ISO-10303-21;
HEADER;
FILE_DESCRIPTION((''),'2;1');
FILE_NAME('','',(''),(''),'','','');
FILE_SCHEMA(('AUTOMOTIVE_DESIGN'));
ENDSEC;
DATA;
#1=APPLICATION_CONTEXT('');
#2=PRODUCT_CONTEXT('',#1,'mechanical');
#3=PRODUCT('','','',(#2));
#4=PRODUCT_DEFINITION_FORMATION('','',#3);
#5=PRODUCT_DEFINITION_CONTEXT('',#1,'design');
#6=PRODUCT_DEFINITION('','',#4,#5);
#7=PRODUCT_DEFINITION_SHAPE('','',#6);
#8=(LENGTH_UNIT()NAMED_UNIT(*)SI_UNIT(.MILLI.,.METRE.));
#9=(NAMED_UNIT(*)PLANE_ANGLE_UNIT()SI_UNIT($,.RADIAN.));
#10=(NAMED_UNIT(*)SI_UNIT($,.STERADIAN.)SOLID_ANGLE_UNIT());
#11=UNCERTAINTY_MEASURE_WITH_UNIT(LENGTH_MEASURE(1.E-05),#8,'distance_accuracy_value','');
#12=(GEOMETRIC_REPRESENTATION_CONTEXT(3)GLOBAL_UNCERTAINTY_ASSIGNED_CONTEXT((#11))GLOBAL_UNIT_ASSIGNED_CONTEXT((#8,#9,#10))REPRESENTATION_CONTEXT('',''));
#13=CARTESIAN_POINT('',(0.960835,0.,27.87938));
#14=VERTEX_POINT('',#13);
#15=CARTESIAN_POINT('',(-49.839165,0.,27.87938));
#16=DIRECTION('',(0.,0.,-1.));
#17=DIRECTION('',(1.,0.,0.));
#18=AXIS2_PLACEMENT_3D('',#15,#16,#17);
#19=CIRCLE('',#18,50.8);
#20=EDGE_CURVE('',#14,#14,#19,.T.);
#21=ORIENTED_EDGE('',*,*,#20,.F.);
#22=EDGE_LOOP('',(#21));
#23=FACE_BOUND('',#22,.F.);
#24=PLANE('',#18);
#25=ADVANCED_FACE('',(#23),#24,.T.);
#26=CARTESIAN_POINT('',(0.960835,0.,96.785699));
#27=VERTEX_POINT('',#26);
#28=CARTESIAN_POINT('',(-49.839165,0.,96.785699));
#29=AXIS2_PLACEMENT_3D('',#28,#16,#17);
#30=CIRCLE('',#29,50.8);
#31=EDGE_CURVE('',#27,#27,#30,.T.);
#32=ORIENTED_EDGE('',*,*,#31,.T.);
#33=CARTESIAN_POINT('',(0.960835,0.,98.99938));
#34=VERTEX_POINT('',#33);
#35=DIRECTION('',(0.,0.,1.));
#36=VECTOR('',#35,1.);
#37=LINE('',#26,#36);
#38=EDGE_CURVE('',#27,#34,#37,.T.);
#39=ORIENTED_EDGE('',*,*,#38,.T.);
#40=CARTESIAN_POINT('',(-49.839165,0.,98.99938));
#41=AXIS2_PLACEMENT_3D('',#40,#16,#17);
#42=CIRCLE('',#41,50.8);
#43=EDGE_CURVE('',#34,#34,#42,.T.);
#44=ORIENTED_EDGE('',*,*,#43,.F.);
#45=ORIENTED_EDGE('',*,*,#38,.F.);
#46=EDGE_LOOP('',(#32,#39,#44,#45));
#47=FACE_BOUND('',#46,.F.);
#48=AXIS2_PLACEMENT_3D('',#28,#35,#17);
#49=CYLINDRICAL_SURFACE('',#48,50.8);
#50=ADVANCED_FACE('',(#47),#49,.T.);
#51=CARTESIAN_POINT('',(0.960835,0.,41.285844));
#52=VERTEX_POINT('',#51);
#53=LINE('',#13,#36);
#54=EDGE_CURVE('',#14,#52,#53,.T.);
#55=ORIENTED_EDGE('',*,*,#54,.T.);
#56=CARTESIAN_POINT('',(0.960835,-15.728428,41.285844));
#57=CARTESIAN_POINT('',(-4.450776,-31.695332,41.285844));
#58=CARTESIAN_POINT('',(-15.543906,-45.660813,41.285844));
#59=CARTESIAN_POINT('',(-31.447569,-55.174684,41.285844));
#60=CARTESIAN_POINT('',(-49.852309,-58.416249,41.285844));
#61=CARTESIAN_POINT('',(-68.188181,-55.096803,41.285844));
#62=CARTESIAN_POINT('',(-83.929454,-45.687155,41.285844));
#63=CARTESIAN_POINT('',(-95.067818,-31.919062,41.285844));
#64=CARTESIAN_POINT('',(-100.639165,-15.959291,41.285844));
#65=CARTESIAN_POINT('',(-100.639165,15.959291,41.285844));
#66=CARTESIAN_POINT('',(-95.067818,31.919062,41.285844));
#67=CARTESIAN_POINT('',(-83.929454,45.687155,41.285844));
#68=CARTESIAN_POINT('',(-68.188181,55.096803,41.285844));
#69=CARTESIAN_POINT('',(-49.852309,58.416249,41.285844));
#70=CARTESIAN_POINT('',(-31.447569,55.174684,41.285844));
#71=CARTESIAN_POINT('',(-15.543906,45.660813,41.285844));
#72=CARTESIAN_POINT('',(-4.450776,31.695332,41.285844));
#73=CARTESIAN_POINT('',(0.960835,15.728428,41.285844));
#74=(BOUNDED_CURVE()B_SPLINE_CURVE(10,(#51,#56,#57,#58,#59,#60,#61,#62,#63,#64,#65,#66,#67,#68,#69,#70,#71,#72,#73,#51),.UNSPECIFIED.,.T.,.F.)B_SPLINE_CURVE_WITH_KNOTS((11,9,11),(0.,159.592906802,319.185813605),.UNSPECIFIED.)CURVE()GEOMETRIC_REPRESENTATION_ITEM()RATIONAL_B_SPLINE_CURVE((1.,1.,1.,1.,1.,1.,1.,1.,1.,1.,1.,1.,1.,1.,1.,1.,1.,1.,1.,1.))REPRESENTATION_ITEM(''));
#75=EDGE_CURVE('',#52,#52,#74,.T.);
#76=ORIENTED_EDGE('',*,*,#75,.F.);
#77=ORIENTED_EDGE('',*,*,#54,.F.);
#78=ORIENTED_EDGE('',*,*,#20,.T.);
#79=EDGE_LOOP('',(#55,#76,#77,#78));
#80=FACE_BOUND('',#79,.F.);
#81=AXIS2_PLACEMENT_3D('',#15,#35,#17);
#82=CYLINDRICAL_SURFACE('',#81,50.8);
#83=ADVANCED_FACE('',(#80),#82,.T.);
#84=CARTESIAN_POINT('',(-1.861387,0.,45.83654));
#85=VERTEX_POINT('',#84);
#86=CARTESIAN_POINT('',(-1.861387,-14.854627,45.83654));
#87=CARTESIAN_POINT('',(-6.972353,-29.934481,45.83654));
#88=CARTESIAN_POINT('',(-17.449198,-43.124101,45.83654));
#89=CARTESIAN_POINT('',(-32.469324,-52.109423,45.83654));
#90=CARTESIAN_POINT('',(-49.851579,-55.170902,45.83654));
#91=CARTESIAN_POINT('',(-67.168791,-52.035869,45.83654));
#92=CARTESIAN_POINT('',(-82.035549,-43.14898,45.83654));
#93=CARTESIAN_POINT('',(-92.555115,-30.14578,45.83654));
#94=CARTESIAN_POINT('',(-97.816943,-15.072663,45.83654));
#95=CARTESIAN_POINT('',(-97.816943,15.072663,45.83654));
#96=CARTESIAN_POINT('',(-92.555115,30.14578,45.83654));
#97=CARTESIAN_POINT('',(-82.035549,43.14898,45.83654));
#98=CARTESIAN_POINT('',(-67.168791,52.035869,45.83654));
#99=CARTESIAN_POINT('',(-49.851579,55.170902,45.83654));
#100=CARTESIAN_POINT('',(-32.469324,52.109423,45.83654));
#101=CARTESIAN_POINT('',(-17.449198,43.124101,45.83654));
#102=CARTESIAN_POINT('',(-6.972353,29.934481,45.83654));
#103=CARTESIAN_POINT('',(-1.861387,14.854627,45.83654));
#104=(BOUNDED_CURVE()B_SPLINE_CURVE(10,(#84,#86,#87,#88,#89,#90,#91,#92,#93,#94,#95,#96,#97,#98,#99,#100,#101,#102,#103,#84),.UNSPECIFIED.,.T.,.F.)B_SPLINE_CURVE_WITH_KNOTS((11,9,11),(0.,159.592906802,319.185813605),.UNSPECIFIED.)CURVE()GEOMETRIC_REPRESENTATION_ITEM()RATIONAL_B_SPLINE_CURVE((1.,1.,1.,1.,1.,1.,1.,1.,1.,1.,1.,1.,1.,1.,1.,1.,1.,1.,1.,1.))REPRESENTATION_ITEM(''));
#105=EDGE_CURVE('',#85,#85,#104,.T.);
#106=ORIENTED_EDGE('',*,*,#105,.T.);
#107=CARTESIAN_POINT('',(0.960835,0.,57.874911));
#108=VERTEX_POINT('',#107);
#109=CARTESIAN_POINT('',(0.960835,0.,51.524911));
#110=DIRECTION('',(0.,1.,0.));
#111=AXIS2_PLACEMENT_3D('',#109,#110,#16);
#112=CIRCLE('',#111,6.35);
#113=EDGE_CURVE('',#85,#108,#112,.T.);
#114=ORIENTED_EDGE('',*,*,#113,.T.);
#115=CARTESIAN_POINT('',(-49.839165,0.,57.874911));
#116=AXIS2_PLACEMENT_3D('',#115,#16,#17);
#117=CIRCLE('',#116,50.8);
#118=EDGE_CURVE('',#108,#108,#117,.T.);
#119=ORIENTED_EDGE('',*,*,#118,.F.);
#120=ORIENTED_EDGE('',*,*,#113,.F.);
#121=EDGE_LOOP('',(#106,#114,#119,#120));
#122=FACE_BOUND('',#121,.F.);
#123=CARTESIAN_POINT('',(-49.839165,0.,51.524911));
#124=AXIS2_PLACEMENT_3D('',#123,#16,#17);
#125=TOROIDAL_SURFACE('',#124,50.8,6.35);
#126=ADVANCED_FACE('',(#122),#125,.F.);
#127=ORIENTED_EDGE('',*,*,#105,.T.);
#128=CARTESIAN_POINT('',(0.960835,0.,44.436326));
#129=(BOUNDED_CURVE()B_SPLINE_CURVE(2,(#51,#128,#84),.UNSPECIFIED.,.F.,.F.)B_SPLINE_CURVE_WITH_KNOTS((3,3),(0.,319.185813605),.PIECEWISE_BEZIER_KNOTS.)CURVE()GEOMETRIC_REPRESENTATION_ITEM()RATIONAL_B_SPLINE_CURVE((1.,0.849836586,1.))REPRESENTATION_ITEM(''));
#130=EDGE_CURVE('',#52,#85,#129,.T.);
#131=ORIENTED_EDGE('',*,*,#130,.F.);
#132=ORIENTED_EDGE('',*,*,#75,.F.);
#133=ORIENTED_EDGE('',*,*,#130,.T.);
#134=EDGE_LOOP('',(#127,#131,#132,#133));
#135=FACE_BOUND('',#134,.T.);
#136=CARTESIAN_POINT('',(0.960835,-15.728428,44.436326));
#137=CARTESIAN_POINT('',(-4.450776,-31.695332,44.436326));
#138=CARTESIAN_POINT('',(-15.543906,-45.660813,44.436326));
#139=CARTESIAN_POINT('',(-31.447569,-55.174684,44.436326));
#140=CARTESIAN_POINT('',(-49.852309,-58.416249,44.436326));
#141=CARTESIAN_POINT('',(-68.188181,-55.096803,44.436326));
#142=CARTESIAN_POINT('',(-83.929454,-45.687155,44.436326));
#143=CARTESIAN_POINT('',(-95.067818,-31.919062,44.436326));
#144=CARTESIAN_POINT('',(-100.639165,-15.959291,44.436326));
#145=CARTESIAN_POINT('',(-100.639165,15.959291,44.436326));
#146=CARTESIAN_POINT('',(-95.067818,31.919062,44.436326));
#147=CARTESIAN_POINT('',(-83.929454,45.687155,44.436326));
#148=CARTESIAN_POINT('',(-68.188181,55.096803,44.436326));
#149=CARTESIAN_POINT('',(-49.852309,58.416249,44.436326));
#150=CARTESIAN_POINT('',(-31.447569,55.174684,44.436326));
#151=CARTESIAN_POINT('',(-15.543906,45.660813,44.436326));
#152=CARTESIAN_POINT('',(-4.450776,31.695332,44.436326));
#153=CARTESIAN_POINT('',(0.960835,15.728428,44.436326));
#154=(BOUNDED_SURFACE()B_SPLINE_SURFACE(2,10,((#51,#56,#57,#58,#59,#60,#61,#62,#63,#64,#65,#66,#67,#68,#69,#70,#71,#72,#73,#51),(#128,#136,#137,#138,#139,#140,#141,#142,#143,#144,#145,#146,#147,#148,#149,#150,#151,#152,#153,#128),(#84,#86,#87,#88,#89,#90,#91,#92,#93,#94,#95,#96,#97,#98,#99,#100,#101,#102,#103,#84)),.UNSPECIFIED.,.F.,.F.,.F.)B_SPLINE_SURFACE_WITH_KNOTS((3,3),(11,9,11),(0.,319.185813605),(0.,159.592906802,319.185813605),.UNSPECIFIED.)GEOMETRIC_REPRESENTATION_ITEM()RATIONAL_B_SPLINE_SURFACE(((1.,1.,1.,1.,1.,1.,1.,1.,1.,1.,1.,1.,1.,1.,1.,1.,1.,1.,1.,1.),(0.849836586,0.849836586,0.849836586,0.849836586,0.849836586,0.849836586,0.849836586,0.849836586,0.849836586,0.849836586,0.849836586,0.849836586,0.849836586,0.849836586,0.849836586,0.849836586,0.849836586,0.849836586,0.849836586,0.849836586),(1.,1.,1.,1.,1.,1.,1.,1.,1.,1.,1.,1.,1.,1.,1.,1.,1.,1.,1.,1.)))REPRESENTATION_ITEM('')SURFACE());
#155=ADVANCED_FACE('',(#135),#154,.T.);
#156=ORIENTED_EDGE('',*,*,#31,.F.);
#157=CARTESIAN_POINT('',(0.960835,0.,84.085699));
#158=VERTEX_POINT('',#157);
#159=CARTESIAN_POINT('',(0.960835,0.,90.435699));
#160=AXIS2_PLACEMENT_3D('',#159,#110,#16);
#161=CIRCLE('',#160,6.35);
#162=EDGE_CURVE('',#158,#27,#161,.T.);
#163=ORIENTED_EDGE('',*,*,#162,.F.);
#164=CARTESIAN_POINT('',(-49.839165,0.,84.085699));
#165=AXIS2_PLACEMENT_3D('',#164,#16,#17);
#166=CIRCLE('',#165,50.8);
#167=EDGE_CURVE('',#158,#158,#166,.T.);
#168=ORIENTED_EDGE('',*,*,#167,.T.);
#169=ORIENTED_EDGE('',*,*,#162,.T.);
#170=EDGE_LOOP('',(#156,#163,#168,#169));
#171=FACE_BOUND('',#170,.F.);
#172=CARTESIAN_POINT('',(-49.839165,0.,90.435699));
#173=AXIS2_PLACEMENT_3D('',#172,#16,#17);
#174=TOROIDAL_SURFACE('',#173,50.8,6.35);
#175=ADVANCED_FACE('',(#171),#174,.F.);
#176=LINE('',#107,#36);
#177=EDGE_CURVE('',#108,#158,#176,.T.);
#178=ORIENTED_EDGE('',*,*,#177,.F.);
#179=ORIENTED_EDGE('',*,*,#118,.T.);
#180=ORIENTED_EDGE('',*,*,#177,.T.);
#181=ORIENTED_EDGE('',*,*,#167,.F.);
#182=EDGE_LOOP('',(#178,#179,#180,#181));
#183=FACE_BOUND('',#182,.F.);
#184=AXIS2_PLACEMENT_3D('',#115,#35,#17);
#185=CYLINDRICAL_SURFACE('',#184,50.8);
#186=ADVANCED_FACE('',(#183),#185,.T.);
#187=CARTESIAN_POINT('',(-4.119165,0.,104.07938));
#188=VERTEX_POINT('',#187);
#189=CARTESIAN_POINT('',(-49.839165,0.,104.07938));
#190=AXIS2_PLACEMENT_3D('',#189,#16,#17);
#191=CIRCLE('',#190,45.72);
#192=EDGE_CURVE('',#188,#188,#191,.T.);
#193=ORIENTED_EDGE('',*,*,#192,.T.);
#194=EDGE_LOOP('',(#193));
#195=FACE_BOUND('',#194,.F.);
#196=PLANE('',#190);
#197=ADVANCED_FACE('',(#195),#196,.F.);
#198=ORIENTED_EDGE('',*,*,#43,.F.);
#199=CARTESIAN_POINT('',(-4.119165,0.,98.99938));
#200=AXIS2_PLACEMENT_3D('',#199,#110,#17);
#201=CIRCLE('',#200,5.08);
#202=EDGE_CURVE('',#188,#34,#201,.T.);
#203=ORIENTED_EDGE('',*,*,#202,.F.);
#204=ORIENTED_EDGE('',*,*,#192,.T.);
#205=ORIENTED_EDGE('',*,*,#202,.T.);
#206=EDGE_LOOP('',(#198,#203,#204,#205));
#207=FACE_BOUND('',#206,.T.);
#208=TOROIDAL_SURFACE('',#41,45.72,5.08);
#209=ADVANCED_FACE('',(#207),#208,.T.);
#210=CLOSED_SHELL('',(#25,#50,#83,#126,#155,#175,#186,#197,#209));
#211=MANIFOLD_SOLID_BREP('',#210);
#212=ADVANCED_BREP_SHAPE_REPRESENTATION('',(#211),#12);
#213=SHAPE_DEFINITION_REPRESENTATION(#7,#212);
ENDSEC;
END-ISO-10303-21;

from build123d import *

# Parameters (mm, degrees)
F2_R = 5.08


with BuildPart() as f1:
    # F0 (on Front) → F1 (revolve)
    with BuildSketch(Plane.XZ):
        with BuildLine():
            Line((0.9608349383, 104.0793796897), (-49.8391650617, 104.0793796897))
            Line((-49.8391650617, 104.0793796897), (-49.8391650617, 27.8793796897))
            Line((-49.8391650617, 27.8793796897), (0.9608349383, 27.8793796897))
            Line((0.9608349383, 27.8793796897), (0.9608349383, 45.1749110758))
            ThreePointArc((0.9608349383, 45.1749110758), (-5.3891650617, 51.5249110758), (0.9608349383, 57.8749110758))
            Line((0.9608349383, 57.8749110758), (0.9608349383, 84.0856986284))
            ThreePointArc((0.9608349383, 84.0856986284), (-5.3891650617, 90.4356986284), (0.9608349383, 96.7856986284))
            Line((0.9608349383, 96.7856986284), (0.9608349383, 104.0793796897))
        make_face()
    revolve(axis=Axis((-49.8391650617, 0, 65.9793796897), (0, 0, -1)))

    # F2
    f2_edges = [f1.edges().sort_by_distance(p)[0] for p in [
        (-100.639165, 0, 104.07938),
        (-100.639165, 0, 45.174911),
    ]]
    fillet(f2_edges, radius=F2_R)


solid = f1.part
